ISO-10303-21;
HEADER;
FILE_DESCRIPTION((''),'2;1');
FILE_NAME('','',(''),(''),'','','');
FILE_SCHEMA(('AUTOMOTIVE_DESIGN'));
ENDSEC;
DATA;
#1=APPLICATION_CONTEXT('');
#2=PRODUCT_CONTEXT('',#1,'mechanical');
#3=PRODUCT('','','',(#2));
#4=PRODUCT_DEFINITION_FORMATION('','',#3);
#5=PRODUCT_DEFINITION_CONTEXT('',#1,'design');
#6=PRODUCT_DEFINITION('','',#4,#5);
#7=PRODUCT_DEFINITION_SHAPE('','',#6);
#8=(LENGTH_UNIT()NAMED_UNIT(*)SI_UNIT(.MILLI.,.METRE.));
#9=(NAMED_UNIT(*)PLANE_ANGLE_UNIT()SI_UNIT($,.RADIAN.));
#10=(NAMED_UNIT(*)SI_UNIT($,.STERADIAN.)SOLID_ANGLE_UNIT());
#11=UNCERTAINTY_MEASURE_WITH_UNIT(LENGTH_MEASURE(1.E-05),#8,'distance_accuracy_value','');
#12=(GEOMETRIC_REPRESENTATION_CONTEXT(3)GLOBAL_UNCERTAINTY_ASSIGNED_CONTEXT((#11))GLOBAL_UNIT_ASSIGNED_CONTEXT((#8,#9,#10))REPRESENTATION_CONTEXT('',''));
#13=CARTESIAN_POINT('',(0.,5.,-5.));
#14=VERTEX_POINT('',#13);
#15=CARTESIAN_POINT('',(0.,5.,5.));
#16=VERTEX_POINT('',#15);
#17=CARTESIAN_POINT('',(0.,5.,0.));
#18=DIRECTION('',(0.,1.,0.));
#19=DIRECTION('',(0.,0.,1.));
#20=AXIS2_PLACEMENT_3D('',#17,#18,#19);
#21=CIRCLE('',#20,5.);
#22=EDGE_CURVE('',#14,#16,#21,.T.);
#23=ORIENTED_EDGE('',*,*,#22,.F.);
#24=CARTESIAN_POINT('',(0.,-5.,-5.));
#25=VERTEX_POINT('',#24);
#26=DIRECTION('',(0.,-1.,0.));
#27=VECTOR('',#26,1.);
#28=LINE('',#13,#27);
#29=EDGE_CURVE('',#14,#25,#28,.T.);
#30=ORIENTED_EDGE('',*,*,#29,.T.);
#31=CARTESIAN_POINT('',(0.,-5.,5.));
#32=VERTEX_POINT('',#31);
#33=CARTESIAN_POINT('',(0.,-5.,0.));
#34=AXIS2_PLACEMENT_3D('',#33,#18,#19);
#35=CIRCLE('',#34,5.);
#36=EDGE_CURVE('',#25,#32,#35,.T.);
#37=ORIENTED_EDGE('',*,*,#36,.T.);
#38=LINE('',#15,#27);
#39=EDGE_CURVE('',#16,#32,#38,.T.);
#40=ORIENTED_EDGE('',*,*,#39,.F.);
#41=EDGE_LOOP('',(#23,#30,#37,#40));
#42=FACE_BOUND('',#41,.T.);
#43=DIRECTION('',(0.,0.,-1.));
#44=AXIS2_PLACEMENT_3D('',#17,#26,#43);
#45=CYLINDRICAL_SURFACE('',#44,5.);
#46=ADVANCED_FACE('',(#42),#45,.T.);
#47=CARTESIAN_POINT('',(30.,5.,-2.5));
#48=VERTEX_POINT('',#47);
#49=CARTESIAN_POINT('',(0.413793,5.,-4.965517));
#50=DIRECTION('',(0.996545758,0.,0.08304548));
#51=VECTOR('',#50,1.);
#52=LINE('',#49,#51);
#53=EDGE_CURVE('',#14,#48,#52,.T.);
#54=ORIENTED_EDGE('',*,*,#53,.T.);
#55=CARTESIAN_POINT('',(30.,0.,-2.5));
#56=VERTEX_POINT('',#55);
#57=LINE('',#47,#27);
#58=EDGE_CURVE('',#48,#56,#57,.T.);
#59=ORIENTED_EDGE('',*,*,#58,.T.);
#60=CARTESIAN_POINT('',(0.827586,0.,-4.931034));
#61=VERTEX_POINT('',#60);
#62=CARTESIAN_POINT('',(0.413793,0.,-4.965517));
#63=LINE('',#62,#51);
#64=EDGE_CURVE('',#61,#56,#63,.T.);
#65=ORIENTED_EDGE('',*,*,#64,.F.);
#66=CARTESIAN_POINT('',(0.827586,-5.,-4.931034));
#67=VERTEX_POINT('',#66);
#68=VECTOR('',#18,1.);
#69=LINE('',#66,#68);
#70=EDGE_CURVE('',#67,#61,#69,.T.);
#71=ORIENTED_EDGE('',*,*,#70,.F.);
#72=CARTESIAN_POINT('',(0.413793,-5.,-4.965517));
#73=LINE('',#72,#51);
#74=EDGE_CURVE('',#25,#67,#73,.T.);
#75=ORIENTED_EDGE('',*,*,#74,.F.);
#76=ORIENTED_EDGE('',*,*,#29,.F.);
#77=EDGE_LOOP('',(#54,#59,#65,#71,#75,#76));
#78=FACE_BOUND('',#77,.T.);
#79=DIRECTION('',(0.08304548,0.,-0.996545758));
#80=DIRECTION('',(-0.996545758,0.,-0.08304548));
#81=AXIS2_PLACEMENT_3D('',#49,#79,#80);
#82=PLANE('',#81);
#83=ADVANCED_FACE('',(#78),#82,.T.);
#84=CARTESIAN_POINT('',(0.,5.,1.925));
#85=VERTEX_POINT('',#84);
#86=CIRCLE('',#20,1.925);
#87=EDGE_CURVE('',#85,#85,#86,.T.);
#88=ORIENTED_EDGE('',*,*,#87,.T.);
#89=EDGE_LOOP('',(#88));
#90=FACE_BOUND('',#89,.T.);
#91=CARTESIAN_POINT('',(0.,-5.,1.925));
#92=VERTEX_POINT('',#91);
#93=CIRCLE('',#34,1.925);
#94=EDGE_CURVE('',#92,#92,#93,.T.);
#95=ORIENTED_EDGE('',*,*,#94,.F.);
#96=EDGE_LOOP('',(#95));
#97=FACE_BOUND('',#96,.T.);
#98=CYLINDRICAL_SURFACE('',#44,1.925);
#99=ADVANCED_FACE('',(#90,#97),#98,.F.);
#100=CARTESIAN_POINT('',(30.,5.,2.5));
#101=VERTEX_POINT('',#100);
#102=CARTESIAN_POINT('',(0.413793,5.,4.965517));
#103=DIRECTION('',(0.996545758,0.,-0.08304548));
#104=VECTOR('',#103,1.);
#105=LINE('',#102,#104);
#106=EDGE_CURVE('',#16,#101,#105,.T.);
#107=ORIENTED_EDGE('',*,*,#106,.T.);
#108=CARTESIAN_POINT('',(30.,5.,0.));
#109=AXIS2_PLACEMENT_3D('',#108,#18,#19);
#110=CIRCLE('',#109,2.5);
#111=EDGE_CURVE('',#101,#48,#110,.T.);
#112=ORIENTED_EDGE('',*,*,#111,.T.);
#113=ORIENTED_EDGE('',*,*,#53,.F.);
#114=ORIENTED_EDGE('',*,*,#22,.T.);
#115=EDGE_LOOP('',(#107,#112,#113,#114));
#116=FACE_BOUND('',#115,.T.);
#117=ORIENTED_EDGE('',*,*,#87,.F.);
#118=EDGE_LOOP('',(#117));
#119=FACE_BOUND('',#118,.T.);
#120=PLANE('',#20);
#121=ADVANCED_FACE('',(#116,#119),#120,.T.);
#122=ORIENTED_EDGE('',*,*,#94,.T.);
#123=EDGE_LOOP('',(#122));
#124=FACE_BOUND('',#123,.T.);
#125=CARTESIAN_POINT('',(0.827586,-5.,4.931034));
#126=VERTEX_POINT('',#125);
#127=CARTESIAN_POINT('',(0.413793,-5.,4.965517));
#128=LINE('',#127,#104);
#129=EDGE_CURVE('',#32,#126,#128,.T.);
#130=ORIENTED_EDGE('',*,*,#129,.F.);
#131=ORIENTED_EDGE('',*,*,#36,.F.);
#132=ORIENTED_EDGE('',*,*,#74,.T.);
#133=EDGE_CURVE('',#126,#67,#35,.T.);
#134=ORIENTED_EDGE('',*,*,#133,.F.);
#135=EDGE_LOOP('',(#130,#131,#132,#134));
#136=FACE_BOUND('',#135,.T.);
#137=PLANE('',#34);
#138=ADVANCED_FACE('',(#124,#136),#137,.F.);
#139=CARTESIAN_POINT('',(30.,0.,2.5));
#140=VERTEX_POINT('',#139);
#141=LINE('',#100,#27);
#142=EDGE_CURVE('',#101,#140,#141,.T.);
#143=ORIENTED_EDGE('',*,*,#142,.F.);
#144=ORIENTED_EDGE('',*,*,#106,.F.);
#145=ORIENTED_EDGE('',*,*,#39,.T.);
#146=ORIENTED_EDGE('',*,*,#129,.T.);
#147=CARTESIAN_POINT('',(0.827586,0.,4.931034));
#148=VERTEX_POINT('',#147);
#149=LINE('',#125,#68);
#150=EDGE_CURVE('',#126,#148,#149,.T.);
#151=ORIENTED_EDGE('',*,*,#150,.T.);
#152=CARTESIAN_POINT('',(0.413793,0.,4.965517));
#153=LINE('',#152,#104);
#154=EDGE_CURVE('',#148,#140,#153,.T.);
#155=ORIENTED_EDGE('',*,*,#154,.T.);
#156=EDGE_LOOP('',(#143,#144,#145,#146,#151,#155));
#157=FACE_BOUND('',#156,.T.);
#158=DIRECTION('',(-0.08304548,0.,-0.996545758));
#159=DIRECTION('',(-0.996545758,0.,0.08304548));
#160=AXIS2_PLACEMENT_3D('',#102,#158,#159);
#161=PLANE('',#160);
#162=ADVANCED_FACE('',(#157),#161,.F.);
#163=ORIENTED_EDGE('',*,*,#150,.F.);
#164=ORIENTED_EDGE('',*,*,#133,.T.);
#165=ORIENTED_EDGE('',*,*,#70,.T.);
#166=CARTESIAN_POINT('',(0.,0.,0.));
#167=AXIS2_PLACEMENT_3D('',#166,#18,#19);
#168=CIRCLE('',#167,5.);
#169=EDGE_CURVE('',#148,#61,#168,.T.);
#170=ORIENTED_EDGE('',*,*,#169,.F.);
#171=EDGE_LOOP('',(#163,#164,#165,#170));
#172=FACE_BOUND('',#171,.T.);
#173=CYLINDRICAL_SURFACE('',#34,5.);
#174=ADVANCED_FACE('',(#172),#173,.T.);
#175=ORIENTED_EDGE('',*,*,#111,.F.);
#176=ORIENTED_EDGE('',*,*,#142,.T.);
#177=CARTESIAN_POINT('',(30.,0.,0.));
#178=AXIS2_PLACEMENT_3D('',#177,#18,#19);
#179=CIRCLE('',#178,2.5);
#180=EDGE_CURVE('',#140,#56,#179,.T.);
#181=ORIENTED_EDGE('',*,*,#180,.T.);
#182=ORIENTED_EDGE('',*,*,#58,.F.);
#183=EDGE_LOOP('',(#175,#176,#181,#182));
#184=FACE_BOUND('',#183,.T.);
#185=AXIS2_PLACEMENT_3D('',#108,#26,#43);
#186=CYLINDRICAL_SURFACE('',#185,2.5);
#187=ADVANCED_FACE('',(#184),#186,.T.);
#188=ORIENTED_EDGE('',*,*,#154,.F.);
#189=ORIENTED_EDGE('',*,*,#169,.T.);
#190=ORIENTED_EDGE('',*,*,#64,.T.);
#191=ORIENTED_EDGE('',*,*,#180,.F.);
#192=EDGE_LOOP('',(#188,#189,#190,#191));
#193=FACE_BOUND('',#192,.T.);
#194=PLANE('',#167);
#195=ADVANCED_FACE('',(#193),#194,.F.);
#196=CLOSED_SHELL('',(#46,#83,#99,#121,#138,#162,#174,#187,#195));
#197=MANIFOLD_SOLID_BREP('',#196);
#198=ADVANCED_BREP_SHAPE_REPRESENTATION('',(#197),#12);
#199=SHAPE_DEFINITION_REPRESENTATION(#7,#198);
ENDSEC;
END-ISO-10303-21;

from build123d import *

# Parameters (mm, degrees)
SKETCH2_R           = 1.925
BOSS_EXTRUDE1_DEPTH = 5
BOSS_EXTRUDE2_START = -5
SKETCH2_3_R         = 1.925
BOSS_EXTRUDE2_DEPTH = 5


with BuildPart() as part:
    # Sketch2 → Boss-Extrude1 (new body)
    with BuildSketch(Plane(origin=(0, 0, 0), x_dir=(1, 0, 0), z_dir=(0, 1, 0))):
        with BuildLine():
            ThreePointArc((0, 5), (-5, 0), (0, -5))
            Line((0, -5), (30, -2.5))
            ThreePointArc((30, -2.5), (32.5, 0), (30, 2.5))
            Line((30, 2.5), (0, 5))
        make_face()
        Circle(SKETCH2_R, mode=Mode.SUBTRACT)
    extrude(amount=BOSS_EXTRUDE1_DEPTH)

    # Sketch2<3> → Boss-Extrude2 (add)
    with BuildSketch(Plane(origin=(0, 0, 0), x_dir=(1, 0, 0), z_dir=(0, 1, 0)).offset(BOSS_EXTRUDE2_START)):
        with BuildLine():
            Line((0.827586207, 4.931034483), (0, 5))
            ThreePointArc((0, 5), (-5, 0), (0, -5))
            Line((0, -5), (0.827586207, -4.931034483))
            ThreePointArc((0.827586207, -4.931034483), (3.816931427, -3.229711207), (5, 0))
            ThreePointArc((5, 0), (3.816931427, 3.229711207), (0.827586207, 4.931034483))
        make_face()
        Circle(SKETCH2_3_R, mode=Mode.SUBTRACT)
    extrude(amount=BOSS_EXTRUDE2_DEPTH)


solid = part.part
